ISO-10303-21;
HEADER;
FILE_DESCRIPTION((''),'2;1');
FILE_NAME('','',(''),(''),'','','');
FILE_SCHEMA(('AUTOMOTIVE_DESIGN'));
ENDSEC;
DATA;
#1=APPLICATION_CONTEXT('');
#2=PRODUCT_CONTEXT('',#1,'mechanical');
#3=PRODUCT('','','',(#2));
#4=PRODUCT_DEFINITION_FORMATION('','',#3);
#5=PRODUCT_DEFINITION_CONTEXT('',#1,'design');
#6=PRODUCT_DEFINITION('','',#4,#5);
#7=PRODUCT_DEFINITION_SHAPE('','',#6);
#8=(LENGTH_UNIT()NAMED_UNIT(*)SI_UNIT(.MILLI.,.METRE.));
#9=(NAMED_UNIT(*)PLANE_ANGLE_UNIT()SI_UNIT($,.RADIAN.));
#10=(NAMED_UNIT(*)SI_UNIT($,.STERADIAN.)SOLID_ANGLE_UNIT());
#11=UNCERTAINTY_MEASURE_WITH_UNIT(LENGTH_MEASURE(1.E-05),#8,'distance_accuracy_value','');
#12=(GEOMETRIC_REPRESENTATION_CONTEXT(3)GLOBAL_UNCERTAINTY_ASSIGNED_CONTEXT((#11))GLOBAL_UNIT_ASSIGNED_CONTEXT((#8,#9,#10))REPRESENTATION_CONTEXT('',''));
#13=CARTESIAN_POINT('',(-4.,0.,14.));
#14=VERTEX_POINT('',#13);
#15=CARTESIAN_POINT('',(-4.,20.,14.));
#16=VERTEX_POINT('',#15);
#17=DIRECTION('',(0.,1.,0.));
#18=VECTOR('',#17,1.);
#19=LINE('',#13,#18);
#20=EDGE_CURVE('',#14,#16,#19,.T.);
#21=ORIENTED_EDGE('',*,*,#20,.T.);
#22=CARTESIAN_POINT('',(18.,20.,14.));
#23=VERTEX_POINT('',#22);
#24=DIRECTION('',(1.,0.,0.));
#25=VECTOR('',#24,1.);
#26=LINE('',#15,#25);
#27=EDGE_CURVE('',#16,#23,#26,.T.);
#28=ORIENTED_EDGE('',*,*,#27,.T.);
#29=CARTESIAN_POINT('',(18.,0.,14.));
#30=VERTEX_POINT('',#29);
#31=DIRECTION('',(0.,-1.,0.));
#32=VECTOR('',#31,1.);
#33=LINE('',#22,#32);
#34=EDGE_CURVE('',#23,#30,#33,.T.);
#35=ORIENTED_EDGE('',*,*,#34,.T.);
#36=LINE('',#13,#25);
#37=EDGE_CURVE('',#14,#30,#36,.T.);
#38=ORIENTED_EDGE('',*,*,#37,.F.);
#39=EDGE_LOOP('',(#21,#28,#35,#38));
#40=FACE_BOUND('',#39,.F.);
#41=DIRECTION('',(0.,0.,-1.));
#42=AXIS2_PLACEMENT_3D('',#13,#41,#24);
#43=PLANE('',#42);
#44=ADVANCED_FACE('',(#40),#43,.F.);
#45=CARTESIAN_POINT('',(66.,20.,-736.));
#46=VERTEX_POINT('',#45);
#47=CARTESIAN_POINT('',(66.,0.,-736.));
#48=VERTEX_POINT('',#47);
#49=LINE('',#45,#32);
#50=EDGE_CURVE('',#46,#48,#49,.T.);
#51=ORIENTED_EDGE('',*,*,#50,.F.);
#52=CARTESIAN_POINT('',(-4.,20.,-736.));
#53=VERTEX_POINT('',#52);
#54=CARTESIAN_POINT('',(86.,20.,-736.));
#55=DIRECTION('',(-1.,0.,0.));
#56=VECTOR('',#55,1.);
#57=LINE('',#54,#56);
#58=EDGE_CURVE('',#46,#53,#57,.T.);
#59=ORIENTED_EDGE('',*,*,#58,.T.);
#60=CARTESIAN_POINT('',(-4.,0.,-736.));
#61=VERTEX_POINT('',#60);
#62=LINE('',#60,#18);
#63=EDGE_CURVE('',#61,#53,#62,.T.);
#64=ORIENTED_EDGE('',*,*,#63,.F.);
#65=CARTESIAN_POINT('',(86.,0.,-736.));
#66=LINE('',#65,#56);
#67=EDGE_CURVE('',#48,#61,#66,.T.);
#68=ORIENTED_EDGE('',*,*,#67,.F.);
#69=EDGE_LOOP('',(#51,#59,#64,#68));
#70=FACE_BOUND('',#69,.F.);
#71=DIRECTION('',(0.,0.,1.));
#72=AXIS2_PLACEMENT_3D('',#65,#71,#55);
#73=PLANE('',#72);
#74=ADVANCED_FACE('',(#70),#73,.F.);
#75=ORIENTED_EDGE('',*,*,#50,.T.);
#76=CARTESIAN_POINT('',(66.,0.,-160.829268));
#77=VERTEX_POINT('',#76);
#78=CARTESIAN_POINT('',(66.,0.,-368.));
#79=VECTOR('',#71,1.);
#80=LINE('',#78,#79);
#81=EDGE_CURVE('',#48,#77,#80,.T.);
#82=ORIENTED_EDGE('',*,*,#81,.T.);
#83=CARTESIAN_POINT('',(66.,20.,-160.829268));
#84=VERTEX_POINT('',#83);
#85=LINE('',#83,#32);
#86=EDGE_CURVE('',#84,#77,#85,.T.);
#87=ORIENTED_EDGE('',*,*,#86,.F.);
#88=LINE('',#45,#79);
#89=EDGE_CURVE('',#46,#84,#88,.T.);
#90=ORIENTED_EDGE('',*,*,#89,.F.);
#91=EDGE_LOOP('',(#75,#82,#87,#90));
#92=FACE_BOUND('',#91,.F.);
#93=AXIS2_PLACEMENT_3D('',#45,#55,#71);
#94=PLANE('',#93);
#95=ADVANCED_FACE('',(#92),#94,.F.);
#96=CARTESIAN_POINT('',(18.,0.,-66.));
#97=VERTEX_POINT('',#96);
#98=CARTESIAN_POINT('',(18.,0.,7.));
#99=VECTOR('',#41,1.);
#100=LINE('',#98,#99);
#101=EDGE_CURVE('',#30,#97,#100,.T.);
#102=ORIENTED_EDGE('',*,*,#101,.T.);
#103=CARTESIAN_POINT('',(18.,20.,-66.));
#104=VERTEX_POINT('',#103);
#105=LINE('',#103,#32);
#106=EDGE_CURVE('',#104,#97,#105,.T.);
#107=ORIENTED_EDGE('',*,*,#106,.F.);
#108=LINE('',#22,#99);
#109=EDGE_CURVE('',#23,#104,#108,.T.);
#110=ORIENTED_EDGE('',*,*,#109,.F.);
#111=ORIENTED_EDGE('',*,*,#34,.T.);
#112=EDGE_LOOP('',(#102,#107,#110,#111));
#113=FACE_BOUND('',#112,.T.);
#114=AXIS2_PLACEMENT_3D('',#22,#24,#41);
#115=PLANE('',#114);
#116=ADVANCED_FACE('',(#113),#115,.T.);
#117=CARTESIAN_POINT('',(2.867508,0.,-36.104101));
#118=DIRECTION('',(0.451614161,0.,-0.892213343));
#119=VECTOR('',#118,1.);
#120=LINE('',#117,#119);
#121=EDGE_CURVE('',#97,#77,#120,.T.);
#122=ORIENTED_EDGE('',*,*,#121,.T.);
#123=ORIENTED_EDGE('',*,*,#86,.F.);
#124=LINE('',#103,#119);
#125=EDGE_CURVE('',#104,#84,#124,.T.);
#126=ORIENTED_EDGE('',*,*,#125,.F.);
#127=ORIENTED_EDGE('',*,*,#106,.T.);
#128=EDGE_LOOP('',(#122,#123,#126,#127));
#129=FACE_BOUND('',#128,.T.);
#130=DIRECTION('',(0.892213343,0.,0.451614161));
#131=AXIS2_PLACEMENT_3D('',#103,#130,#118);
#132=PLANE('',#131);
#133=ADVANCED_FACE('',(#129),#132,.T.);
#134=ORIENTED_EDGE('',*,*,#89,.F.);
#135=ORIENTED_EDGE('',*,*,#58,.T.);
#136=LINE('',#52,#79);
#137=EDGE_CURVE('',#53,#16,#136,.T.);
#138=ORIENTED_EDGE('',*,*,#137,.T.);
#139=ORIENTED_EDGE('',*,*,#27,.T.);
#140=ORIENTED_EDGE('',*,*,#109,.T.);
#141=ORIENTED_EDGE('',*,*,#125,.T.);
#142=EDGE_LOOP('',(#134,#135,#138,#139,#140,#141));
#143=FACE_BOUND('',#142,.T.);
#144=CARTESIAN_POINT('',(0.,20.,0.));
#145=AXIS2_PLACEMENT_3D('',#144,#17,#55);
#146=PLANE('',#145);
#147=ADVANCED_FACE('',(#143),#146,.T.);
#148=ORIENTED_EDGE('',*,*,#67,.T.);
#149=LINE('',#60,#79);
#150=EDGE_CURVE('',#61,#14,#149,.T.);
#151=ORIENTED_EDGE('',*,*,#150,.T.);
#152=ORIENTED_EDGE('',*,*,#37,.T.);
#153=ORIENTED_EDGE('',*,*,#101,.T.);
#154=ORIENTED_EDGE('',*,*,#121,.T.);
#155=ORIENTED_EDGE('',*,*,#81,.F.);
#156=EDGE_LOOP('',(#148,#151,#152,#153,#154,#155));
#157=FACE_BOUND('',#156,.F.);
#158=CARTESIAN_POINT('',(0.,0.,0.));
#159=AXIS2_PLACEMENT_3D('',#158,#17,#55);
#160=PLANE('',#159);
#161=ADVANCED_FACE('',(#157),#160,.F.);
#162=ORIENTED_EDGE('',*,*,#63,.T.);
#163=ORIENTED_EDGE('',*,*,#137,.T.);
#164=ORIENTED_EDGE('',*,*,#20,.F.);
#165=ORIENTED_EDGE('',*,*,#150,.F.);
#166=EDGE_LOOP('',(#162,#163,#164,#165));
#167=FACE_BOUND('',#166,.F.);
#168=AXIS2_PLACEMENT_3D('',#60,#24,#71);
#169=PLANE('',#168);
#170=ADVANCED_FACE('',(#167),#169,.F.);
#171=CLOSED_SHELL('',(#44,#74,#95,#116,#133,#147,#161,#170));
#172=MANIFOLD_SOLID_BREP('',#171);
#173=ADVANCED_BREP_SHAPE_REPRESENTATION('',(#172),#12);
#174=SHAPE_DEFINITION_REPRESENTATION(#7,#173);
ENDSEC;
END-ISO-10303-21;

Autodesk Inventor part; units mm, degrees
ref_plane "YZ Plane" through (0, 0, 0) normal (1, 0, 0) x (0, 1, 0)
ref_plane "XZ Plane" through (0, 0, 0) normal (0, 1, 0) x (-1, 0, 0)
ref_plane "XY Plane" through (0, 0, 0) normal (0, 0, 1) x (1, 0, 0)
sketch "Sketch1" plane through (0, 0, 0) normal (0, 1, 0) x (-1, 0, 0)
  line L0 (4, 14) -> (-86, 14)
  line L1 (-86, 14) -> (-86, -736)
  line L2 (-86, -736) -> (4, -736)
  line L3 (4, -736) -> (4, 14)
  point P0 (0, 0)
  dimension "d0" = 750
  dimension "d1" = 90
extrude "Extrusion1" add sketch "Sketch1" along normal blind 20
sketch "Sketch2" plane through (0, 20, 0) normal (0, 1, 0) x (1, 0, 0)
  line L0 (100, -14) -> (18, -14)
  line L1 (18, -14) -> (18, 66)
  line L2 (18, 66) -> (100, 66)
  line L3 (100, 66) -> (100, -14)
  line L4 (18, 66) -> (100, 228)
  line L5 (100, 228) -> (100, 66)
  line L6 (18, -14) -> (27, -14)
  line L7 (27, -14) -> (27, -14)
  line L8 (-4, -14) -> (86, -14) projected
  point P0 (0, 0)
  dimension "d10" = 0
  dimension "d11" = 80
  dimension "d13" = 82
  dimension "d14" = 82
  dimension "d15" = 162
  dimension "d16" = 162
  dimension "d17" = 9
  dimension "d18" = 0
  dimension "d19" = 22
  dimension "d20" = 0
extrude "Extrusion2" cut sketch "Sketch2" against normal blind 25
sketch "Sketch3" plane through (0, 20, 0) normal (0, 1, 0) x (1, 0, 0)
  line L0 (86, 736) -> (-4, 736) projected
  line L1 (86, 736) -> (66, 736)
  line L2 (66, 736) -> (66, -31)
  line L3 (66, -31) -> (86, -31)
  line L4 (86, -31) -> (86, 736)
  line L5 (-4, 736) -> (-4, -14) projected
  point P0 (0, 0)
  dimension "d7" = 70
extrude "Extrusion3" cut sketch "Sketch3" against normal blind 30
properties part number "YflanecYcrepA" material "Aluminum 6061"
